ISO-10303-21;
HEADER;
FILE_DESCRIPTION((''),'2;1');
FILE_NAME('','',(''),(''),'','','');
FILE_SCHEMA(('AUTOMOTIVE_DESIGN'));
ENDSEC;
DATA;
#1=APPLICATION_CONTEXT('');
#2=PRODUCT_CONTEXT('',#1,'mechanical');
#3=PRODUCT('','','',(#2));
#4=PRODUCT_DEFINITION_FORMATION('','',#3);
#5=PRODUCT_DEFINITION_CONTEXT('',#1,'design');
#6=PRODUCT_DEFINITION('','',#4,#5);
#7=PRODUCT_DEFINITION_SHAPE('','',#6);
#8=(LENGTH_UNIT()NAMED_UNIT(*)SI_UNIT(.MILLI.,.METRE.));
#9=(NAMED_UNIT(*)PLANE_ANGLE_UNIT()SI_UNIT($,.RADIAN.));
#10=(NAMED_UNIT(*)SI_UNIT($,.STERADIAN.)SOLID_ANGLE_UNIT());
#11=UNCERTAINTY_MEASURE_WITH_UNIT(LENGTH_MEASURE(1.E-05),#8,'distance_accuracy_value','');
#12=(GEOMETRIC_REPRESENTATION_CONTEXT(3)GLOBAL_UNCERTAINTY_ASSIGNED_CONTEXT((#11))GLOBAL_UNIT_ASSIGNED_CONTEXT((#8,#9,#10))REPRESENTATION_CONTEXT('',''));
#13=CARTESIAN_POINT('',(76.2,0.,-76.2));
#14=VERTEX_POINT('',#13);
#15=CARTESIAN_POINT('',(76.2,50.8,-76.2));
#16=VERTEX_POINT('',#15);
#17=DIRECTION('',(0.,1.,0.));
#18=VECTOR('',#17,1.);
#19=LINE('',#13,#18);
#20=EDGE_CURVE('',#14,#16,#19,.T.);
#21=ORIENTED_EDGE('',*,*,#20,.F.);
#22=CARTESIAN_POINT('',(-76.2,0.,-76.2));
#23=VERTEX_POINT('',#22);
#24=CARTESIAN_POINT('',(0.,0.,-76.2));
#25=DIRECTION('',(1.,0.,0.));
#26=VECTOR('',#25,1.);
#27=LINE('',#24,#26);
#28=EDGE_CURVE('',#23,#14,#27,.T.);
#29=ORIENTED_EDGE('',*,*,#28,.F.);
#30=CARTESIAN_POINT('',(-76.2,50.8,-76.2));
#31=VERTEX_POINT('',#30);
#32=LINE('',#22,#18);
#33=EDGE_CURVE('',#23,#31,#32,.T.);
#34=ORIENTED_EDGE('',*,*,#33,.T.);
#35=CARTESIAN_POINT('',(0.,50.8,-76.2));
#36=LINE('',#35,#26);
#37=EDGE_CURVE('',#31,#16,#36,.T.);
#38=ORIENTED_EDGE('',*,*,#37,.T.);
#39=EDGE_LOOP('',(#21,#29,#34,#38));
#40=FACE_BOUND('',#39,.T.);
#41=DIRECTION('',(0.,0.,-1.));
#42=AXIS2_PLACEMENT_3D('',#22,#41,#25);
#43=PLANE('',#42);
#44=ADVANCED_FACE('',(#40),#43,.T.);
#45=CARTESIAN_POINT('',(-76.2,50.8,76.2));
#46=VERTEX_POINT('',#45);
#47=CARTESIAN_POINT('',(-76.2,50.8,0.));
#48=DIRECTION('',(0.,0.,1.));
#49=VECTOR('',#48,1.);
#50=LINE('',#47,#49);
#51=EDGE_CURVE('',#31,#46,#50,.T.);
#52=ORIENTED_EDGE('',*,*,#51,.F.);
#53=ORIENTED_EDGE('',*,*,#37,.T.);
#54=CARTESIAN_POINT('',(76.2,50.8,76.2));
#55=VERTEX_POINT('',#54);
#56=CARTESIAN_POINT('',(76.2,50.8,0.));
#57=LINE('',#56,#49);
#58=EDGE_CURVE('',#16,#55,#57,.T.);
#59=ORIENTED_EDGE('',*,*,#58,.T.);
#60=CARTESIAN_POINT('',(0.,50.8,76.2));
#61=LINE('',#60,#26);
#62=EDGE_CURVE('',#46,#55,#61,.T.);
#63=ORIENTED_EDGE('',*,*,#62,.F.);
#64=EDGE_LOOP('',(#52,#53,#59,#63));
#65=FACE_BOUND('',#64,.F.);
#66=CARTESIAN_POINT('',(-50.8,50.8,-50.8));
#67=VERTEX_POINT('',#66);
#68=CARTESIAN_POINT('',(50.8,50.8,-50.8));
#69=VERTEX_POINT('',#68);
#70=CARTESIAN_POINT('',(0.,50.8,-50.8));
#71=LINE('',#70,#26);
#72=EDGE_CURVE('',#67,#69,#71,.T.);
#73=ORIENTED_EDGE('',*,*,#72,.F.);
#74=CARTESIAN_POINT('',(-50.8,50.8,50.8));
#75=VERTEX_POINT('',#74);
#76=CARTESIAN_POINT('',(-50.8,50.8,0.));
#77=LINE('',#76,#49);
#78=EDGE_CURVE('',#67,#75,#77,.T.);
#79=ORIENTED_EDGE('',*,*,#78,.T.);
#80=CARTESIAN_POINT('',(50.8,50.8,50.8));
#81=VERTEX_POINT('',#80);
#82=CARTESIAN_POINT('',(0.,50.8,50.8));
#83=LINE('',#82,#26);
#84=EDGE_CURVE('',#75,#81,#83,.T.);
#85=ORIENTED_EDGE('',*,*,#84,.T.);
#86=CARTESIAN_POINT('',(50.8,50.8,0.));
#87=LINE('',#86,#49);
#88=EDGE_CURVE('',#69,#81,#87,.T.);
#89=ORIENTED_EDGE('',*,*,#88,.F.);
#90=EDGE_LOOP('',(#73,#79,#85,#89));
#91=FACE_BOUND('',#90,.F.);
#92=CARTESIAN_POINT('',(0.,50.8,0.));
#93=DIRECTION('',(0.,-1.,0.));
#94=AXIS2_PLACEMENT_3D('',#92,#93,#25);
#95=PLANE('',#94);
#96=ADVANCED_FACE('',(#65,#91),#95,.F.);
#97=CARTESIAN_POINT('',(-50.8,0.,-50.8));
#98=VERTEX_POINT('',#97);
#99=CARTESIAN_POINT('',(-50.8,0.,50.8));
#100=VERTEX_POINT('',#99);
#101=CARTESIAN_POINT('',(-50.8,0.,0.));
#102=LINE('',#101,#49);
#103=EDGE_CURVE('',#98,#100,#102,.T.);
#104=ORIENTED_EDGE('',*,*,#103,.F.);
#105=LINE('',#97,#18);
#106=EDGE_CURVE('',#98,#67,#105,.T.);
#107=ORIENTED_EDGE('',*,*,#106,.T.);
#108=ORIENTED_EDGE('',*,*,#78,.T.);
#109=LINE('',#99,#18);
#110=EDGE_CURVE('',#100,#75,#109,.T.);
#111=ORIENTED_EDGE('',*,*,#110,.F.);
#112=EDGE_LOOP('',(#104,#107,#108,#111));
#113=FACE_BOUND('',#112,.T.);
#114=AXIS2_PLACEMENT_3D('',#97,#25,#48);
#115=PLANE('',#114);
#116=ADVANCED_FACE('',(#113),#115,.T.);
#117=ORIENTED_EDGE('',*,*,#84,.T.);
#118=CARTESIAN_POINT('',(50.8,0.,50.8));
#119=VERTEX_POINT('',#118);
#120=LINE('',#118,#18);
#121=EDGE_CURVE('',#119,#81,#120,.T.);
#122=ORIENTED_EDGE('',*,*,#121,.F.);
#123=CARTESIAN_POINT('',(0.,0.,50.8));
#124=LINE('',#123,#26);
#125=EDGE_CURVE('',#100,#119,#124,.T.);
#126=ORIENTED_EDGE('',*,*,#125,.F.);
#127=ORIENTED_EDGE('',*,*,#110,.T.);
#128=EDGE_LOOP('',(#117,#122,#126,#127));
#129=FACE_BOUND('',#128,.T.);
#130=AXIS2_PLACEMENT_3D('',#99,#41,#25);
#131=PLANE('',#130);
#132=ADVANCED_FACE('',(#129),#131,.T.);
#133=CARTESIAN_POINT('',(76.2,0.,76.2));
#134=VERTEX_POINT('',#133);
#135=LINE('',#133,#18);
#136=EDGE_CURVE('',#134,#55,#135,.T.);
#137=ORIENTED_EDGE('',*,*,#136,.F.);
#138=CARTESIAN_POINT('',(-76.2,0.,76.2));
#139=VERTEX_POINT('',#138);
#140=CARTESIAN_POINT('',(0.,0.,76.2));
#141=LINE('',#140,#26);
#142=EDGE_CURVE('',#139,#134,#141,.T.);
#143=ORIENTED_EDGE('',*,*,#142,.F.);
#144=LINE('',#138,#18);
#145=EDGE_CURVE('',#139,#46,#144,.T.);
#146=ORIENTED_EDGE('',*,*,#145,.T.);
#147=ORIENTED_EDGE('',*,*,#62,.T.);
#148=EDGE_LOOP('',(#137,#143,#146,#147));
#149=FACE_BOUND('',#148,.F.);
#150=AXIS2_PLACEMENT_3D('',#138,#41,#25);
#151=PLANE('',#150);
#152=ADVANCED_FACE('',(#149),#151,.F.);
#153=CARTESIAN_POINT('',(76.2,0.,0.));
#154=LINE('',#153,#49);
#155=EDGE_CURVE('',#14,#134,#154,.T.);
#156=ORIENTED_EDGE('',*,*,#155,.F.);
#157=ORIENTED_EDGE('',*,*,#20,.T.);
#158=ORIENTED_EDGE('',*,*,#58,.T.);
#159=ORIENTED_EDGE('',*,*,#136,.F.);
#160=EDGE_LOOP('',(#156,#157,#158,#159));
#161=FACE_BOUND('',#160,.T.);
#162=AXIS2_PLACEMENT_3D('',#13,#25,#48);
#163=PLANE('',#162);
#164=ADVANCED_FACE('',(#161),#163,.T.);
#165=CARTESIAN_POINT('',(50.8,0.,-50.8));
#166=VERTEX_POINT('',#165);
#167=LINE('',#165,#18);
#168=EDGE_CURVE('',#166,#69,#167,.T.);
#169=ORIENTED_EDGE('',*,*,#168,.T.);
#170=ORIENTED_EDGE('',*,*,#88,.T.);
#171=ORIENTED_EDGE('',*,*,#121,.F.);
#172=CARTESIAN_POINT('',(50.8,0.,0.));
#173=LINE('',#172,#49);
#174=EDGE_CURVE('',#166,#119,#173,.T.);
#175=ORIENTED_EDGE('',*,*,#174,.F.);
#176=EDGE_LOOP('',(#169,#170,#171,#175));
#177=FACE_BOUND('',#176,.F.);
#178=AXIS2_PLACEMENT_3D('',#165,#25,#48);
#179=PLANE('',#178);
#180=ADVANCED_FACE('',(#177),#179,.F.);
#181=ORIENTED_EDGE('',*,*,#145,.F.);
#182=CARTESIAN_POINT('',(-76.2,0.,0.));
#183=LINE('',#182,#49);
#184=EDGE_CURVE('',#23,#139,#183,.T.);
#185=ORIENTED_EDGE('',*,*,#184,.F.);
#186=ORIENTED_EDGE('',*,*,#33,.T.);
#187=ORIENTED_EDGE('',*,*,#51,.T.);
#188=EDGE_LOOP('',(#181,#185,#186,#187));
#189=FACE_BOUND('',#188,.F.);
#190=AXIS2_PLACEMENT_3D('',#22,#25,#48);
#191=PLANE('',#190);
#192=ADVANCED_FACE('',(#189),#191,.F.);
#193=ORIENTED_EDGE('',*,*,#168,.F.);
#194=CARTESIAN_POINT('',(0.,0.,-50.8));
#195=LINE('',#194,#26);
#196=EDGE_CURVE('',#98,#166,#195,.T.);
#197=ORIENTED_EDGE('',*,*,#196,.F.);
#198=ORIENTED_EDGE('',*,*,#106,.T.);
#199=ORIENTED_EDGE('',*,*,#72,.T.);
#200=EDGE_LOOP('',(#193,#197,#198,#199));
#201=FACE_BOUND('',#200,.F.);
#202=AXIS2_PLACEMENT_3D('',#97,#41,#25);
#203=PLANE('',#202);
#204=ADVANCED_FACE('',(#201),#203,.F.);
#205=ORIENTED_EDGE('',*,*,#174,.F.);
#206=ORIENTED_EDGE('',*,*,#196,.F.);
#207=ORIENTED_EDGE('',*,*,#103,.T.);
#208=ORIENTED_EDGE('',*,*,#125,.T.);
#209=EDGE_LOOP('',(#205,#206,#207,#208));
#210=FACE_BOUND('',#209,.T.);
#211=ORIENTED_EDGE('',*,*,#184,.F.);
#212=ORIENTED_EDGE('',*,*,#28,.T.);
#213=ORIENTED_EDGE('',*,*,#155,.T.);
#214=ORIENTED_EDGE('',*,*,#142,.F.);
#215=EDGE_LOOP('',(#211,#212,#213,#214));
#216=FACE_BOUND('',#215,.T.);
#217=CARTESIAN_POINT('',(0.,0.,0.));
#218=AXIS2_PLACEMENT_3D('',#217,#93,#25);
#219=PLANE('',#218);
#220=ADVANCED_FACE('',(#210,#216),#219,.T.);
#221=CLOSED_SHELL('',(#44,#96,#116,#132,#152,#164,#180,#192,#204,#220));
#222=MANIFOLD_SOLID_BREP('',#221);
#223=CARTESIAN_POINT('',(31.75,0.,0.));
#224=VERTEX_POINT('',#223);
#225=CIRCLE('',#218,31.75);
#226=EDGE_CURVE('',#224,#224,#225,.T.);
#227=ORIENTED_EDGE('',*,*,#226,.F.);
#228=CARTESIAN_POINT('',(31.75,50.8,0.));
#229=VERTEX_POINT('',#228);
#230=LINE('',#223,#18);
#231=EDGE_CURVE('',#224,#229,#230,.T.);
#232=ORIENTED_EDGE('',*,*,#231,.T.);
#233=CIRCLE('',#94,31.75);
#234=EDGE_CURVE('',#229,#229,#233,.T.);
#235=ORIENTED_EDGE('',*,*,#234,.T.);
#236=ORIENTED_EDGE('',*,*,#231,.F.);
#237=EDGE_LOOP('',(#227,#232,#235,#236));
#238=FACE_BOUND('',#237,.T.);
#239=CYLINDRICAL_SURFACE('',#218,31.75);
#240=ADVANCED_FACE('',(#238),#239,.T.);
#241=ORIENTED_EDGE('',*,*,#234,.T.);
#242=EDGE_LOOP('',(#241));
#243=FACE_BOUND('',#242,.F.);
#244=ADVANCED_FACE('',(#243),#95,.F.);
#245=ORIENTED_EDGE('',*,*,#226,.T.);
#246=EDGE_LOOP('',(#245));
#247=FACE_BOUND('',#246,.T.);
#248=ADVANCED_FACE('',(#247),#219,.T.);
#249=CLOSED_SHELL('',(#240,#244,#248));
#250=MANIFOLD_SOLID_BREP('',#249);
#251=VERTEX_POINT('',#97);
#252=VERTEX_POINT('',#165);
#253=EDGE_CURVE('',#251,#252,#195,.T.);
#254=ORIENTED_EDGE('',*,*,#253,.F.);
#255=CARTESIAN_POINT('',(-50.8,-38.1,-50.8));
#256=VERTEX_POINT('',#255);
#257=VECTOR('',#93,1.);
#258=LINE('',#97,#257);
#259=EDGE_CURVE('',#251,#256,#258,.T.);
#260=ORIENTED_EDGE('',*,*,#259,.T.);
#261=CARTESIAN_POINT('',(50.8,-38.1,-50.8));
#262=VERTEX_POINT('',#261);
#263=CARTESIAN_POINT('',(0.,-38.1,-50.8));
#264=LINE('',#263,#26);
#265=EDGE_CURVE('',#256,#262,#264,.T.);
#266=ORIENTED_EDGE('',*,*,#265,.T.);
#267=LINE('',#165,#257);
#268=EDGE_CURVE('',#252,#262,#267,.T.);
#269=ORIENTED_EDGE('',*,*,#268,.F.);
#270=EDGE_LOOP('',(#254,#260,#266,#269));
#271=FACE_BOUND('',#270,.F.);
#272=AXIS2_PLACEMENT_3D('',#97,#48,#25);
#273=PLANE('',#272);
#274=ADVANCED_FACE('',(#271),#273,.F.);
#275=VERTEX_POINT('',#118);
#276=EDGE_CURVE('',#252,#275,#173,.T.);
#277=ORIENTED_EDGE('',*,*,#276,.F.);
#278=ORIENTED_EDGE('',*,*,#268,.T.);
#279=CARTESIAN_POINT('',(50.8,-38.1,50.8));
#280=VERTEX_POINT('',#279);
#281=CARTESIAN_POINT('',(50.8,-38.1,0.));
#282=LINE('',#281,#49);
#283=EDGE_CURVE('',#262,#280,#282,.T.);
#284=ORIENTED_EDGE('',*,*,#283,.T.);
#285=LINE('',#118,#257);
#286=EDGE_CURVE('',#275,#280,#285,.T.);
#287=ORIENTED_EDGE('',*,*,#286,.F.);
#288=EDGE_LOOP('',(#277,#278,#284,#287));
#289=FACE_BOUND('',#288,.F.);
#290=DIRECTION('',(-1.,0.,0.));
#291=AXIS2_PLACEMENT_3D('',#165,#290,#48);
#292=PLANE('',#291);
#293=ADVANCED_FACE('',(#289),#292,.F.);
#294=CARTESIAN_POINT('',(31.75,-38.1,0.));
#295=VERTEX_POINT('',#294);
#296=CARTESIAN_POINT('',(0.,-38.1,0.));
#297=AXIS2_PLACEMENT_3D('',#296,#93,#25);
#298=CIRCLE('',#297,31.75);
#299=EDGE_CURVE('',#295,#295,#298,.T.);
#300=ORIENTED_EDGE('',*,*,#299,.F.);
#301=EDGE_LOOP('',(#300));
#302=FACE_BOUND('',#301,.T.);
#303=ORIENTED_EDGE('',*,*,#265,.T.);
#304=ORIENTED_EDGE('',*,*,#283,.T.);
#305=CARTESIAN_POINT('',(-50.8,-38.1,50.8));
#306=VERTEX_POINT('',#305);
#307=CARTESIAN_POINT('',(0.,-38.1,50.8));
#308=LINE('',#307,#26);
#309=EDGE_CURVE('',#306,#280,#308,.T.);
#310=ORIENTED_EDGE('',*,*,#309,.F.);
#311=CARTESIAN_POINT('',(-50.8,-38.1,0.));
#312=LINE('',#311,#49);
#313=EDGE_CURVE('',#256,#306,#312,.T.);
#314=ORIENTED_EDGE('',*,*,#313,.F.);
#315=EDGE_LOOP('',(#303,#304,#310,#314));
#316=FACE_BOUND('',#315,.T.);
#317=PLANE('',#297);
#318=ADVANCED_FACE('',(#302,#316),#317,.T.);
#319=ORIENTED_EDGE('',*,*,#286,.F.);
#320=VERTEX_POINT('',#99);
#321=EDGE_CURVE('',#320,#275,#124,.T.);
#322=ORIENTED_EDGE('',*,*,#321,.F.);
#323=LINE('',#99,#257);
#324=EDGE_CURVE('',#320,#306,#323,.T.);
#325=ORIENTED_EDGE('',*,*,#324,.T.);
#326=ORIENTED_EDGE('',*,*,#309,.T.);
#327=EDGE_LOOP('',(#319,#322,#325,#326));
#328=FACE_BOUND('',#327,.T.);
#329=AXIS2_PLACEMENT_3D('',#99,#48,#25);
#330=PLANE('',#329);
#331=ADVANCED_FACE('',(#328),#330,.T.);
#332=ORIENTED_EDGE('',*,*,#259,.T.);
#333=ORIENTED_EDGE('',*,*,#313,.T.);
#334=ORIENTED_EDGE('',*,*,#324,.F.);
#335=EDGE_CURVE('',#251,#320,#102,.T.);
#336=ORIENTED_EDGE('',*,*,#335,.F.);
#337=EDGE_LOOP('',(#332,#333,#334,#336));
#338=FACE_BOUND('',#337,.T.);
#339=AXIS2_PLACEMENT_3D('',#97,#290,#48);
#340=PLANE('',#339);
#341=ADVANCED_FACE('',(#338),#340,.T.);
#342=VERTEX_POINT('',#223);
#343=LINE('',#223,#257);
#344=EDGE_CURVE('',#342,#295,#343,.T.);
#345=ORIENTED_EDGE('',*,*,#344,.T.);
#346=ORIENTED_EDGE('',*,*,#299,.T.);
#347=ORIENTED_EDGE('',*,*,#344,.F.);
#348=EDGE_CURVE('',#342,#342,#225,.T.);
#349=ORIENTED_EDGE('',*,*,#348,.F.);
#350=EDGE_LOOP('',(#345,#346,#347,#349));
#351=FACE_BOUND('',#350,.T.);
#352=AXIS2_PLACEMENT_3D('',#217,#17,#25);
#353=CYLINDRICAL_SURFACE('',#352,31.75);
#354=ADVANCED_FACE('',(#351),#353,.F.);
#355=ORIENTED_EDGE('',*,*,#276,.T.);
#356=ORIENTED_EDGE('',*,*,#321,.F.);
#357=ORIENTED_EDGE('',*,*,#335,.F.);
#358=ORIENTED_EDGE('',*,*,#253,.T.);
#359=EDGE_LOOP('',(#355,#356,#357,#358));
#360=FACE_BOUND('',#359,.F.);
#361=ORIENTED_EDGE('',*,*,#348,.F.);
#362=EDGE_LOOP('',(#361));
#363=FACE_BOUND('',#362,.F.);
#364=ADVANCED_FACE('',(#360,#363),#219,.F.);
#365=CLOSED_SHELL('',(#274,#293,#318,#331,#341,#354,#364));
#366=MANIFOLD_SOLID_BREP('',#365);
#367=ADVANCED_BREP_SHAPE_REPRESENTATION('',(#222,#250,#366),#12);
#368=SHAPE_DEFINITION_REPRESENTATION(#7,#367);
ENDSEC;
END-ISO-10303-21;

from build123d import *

# Parameters (mm, degrees)
F0_W     = 101.6
F0_H     = 101.6
F0_R     = 31.75
F1_DEPTH = 38.1
F0_W_2   = 152.4
F0_H_2   = 152.4
F2_DEPTH = 50.8
F3_DEPTH = 50.8


with BuildPart() as f1:
    # F0 (on Front) → F1 (new body)
    with BuildSketch(Plane.XZ):
        Rectangle(F0_W, F0_H)
        Circle(F0_R, mode=Mode.SUBTRACT)
    extrude(amount=F1_DEPTH)

    # F0 (on Front) → F3 (join)
    with BuildSketch(Plane.XZ):
        Circle(F0_R)
    extrude(amount=-F3_DEPTH)


with BuildPart() as f2:
    # F0 (on Front) → F2 (new body)
    with BuildSketch(Plane.XZ):
        Rectangle(F0_W_2, F0_H_2)
        Rectangle(F0_W, F0_H, mode=Mode.SUBTRACT)
    extrude(amount=-F2_DEPTH)


solid = Compound([f1.part, f2.part])
